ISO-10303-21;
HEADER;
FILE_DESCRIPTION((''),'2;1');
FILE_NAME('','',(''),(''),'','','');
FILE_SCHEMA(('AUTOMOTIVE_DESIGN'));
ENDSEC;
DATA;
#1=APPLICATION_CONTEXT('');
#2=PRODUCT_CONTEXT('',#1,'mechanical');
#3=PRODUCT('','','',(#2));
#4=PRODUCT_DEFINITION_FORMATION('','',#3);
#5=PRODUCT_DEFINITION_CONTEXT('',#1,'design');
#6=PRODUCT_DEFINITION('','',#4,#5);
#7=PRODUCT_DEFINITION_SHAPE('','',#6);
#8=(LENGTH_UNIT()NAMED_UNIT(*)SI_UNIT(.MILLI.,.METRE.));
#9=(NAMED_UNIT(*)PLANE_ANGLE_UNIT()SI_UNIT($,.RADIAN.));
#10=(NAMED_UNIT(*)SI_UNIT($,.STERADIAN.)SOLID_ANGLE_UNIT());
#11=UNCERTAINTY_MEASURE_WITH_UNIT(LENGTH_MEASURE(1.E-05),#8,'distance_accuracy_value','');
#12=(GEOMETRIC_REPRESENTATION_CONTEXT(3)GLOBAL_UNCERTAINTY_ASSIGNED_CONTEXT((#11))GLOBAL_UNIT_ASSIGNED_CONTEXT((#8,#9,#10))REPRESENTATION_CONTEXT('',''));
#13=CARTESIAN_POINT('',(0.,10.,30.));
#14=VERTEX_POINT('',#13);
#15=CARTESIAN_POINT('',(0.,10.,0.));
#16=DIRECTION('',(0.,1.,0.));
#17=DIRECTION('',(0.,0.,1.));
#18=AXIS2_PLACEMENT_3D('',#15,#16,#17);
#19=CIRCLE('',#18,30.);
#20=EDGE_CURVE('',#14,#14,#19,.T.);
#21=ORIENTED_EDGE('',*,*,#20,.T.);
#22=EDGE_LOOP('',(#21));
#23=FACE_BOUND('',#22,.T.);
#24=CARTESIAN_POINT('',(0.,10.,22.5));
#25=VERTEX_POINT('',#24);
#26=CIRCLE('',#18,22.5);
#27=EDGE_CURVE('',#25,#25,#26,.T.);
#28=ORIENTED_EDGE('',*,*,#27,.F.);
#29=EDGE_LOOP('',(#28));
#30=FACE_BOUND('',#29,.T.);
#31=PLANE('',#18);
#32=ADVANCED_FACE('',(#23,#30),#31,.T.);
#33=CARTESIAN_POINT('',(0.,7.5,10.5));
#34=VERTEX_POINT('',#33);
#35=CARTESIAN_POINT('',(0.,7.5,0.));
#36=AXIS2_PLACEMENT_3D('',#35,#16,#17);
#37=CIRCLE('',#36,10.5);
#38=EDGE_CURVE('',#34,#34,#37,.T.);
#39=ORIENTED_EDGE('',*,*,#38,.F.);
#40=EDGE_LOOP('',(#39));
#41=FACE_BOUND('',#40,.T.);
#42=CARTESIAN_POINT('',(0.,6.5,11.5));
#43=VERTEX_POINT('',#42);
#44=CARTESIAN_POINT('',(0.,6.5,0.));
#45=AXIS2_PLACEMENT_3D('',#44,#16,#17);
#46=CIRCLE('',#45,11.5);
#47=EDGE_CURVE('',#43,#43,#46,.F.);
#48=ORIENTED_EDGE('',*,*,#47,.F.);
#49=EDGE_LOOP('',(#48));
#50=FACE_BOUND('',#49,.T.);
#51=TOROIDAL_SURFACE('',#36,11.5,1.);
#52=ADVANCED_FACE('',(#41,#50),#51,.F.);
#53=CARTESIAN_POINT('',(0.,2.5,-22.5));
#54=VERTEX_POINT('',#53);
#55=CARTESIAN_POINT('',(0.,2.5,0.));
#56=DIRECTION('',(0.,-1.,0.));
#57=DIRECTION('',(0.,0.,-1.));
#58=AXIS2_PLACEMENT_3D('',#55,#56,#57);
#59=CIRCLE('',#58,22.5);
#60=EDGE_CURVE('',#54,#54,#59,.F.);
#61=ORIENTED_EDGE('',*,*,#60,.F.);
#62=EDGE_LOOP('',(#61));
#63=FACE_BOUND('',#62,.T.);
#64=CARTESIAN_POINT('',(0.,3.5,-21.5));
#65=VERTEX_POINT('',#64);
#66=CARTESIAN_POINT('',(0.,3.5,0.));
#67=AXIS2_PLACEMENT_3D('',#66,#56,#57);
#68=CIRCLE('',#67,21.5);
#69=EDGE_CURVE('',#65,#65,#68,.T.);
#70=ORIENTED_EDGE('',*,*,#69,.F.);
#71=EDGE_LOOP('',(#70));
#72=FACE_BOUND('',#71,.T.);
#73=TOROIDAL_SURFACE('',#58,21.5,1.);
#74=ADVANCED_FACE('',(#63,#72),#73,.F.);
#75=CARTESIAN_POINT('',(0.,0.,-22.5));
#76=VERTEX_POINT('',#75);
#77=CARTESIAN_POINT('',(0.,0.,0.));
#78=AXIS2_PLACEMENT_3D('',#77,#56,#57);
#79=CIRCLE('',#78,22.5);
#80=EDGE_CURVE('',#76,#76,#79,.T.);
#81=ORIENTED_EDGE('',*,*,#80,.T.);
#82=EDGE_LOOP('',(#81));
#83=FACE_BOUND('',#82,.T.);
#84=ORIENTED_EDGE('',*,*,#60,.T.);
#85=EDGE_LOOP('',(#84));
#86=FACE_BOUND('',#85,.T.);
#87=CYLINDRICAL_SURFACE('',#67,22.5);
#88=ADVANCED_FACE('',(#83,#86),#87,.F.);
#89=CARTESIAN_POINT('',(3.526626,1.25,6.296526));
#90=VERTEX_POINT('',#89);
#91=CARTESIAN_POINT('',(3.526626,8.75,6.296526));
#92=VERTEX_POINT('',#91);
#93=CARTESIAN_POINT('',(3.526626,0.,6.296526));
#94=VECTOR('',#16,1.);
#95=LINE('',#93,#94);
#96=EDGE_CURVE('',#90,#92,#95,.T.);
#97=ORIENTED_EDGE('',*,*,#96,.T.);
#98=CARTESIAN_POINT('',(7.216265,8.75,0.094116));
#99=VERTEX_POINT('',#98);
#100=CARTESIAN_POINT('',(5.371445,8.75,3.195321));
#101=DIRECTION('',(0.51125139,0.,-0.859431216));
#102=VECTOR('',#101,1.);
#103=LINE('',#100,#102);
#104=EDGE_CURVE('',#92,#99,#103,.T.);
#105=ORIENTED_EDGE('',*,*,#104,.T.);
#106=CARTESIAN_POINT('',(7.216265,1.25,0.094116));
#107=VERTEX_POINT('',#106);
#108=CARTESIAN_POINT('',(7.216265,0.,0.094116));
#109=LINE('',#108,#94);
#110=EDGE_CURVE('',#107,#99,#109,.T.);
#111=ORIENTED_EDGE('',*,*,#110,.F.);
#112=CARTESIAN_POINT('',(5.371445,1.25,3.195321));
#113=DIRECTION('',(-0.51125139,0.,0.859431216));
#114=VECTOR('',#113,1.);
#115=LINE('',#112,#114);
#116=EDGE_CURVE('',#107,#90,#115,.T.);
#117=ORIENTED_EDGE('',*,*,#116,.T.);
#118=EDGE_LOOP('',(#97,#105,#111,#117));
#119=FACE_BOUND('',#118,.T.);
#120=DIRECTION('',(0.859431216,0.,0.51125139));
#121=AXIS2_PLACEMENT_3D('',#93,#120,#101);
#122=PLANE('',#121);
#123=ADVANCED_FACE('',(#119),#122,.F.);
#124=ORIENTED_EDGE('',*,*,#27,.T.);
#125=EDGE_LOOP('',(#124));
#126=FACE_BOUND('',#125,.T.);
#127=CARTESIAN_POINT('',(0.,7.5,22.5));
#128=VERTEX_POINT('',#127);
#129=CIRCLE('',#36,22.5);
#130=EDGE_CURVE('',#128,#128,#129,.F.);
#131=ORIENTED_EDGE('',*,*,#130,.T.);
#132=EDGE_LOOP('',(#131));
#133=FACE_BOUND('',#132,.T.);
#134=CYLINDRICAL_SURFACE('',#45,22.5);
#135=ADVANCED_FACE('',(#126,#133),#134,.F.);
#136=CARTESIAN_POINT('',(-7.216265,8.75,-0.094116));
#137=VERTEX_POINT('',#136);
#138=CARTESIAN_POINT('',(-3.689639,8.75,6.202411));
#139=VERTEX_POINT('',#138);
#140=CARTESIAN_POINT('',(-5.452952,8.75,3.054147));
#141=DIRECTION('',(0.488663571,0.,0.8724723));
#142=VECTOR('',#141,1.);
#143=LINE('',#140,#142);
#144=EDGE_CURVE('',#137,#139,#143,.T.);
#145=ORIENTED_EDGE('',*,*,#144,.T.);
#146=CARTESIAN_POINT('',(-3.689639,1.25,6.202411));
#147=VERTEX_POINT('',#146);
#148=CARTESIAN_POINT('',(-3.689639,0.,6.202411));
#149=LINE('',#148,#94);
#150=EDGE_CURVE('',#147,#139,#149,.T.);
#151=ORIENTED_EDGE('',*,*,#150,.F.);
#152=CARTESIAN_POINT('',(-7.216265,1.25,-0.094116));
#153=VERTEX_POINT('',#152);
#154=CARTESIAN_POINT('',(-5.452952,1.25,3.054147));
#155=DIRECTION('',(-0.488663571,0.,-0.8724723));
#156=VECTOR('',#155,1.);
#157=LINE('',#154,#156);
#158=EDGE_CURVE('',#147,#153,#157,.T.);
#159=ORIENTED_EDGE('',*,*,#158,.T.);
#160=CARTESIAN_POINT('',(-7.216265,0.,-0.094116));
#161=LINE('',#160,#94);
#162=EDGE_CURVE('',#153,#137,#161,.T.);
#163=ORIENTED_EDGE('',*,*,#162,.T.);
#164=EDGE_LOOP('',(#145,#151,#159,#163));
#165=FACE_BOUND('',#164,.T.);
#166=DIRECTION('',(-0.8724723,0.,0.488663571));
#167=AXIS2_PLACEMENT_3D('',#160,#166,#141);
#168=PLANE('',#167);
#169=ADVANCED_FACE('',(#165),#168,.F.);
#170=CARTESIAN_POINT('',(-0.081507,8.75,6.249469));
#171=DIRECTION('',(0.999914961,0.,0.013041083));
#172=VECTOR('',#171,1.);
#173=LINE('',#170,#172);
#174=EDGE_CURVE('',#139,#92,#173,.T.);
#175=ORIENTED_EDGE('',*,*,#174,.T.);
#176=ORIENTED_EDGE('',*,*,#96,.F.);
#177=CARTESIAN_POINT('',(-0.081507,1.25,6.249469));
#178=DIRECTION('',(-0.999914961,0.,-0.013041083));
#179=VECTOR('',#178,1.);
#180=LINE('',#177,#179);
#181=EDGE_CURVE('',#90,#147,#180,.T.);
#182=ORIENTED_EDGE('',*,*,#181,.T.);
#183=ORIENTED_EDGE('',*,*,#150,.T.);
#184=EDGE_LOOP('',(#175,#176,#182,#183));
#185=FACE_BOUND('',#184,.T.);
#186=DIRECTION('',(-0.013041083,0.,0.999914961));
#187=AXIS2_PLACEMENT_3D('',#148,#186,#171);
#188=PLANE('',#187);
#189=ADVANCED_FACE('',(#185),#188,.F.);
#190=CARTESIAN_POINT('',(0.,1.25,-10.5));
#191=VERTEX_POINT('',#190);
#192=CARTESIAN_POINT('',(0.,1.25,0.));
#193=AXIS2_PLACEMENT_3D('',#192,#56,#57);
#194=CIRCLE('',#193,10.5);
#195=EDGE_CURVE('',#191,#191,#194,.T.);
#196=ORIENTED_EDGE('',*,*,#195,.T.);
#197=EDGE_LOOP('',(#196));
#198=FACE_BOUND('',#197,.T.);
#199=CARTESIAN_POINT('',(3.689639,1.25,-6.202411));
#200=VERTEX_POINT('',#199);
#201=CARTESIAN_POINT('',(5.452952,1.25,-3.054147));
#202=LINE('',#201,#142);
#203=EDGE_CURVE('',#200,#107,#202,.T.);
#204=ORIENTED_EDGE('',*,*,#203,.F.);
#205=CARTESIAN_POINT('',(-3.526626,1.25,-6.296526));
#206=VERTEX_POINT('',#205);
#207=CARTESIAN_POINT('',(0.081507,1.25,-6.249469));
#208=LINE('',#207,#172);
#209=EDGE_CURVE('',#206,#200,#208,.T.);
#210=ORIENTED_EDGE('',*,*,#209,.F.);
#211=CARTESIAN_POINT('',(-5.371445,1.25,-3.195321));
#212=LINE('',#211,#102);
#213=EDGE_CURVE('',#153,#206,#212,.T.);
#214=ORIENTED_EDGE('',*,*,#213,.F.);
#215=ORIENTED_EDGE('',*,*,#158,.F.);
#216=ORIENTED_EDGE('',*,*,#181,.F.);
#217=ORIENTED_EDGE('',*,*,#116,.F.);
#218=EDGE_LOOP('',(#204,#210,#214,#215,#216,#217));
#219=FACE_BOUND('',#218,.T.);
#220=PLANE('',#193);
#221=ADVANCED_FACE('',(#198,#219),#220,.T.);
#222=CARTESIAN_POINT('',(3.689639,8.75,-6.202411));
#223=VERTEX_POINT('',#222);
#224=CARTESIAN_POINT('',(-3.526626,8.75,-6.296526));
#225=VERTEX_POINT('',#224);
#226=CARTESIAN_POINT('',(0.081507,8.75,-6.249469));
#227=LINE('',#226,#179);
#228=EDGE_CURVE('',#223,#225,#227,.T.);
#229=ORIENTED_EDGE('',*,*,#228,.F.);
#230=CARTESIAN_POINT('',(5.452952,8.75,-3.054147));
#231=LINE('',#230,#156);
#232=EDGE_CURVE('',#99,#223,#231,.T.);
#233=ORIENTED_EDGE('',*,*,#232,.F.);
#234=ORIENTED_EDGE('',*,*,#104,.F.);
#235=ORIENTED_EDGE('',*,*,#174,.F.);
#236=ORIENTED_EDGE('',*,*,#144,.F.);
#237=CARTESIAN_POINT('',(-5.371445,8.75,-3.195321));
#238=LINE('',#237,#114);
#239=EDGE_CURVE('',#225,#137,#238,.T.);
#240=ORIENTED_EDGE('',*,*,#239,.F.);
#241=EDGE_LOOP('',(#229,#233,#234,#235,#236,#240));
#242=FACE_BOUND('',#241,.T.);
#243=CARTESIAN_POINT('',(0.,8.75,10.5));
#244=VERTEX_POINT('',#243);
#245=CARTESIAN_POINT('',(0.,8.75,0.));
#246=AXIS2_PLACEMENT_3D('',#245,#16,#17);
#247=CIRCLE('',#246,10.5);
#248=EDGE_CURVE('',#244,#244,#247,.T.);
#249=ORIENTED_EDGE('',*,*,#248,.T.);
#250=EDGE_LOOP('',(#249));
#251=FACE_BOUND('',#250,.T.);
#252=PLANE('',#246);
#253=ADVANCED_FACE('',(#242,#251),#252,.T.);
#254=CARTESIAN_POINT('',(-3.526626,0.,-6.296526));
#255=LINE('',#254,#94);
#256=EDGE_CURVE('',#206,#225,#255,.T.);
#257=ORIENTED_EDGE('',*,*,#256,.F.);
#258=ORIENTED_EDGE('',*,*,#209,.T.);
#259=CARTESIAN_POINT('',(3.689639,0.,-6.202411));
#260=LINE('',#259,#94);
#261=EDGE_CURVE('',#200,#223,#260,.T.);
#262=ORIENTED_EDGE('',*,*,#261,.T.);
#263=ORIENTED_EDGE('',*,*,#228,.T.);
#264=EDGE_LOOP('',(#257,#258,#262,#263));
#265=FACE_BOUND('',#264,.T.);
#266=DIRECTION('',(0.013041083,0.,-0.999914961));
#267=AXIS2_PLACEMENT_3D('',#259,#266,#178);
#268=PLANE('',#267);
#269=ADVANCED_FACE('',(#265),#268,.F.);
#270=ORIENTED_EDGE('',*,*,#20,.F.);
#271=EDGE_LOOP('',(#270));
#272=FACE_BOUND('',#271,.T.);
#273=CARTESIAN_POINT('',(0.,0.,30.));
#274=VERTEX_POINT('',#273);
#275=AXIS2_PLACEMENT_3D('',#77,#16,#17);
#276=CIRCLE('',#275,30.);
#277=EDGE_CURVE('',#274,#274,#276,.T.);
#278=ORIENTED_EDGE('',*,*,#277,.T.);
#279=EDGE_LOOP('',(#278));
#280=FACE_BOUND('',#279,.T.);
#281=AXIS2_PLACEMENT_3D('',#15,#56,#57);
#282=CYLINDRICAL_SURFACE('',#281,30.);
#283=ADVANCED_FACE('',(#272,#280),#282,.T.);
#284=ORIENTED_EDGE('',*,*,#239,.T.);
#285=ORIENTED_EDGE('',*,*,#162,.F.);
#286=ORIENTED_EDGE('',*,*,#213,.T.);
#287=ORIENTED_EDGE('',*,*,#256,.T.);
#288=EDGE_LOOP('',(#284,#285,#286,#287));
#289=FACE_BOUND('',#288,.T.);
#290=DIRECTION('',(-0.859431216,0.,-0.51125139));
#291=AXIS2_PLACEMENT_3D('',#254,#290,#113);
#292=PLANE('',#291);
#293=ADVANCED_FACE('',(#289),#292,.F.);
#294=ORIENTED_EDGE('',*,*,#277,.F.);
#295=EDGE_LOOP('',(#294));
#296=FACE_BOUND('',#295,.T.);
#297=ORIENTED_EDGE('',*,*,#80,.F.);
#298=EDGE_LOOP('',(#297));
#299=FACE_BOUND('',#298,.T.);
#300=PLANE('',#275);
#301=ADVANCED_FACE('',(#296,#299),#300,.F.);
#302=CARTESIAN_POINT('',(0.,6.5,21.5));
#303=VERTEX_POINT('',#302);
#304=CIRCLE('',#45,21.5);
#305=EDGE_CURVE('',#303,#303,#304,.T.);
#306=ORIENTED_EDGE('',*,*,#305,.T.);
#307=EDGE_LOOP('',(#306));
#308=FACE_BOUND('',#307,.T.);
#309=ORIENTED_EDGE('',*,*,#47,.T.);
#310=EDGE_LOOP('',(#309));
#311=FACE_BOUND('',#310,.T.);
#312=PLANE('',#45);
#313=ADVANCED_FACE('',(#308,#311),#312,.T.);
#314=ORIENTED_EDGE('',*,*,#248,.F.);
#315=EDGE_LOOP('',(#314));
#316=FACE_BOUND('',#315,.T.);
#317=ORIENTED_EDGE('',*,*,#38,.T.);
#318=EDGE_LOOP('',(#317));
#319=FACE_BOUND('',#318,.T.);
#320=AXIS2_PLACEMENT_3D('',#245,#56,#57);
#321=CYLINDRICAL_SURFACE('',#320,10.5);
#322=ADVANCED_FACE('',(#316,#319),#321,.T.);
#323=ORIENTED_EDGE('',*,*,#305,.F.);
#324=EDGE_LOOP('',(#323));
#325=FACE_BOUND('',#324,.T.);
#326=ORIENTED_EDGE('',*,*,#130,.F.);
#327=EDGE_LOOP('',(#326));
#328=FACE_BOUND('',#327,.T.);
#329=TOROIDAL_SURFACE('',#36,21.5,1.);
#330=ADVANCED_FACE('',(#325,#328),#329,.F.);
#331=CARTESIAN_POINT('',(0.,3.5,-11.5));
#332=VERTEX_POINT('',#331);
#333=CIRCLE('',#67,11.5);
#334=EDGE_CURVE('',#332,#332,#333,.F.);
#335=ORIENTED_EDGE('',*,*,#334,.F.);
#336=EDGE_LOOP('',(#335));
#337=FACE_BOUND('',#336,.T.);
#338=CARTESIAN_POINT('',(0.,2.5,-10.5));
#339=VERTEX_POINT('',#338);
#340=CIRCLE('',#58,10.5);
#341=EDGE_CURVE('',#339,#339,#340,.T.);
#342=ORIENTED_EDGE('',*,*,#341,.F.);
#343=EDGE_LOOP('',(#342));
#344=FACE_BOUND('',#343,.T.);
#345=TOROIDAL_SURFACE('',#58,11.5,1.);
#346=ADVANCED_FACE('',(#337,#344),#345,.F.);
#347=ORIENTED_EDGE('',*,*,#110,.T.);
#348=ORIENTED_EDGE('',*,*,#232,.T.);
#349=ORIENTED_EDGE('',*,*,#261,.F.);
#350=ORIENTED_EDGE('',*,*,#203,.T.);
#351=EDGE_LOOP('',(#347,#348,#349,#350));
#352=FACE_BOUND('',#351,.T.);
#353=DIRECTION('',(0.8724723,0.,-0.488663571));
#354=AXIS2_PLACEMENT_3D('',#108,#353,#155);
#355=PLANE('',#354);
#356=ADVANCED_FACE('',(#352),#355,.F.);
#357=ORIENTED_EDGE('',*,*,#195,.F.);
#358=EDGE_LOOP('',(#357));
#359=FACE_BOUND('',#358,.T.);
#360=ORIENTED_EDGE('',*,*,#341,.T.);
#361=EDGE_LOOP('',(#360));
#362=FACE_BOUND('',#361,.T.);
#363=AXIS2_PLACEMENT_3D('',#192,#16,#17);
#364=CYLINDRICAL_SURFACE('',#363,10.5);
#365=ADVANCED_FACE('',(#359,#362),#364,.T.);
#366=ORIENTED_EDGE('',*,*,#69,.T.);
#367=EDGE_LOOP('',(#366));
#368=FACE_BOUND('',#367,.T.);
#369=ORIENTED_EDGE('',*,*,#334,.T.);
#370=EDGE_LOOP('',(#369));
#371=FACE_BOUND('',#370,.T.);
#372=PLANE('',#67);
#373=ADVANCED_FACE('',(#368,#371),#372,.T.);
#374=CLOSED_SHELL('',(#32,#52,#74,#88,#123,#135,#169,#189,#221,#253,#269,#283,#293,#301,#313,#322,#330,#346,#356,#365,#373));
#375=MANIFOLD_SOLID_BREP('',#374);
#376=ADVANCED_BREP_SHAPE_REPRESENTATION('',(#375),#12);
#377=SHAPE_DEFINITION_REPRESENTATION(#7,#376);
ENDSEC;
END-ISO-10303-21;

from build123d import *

# Parameters (mm, degrees)
SKETCH1_R               = 30
BOSS_EXTRUDE1_DEPTH     = 10
SKETCH2_R               = 22.5
CUT_EXTRUDE1_DEPTH      = 3.5
CUT_EXTRUDE2_START      = -3.5
SKETCH3_R               = 22.5
CUT_EXTRUDE2_DEPTH      = 3.5
SKETCH5_R               = 10.5
BOSS_EXTRUDE2_DEPTH     = 2.25
BOSS_EXTRUDE3_START     = 2.25
SKETCH6_R               = 10.5
BOSS_EXTRUDE3_DEPTH     = 2.25
CUT_EXTRUDE3_DEPTH      = 43.921439864
CUT_EXTRUDE3_DEPTH_BACK = 43.921439864
FILLET1_R               = 1
FILLET2_R               = 1


with BuildPart() as part:
    # Sketch1 → Boss-Extrude1 (new body)
    with BuildSketch(Plane(origin=(0, 0, 0), x_dir=(1, 0, 0), z_dir=(0, 1, 0))):
        with Locations(Location((0, 0, 0), (0, 0, 270))):
            Circle(SKETCH1_R)
    extrude(amount=BOSS_EXTRUDE1_DEPTH)

    # Sketch2 → Cut-Extrude1 (cut)
    with BuildSketch(Plane(origin=(0, 10, 0), x_dir=(1, 0, 0), z_dir=(0, 1, 0))):
        with Locations(Location((0, 0, 0), (0, 0, 270))):
            Circle(SKETCH2_R)
    extrude(amount=-CUT_EXTRUDE1_DEPTH, mode=Mode.SUBTRACT)

    # Sketch3 → Cut-Extrude2 (cut)
    with BuildSketch(Plane.XZ.offset(CUT_EXTRUDE2_START)):
        with Locations(Location((0, 0, 0), (0, 0, 90))):
            Circle(SKETCH3_R)
    extrude(amount=CUT_EXTRUDE2_DEPTH, mode=Mode.SUBTRACT)

    # Sketch5 → Boss-Extrude2 (add)
    with BuildSketch(Plane(origin=(0, 6.5, 0), x_dir=(1, 0, 0), z_dir=(0, 1, 0))):
        with Locations(Location((0, 0, 0), (0, 0, 270))):
            Circle(SKETCH5_R)
    extrude(amount=BOSS_EXTRUDE2_DEPTH)

    # Sketch6 → Boss-Extrude3 (add)
    with BuildSketch(Plane.XZ.offset(-3.5).offset(BOSS_EXTRUDE3_START)):
        with Locations(Location((0, 0, 0), (0, 0, 90))):
            Circle(SKETCH6_R)
    extrude(amount=-BOSS_EXTRUDE3_DEPTH)

    # Sketch4 → Cut-Extrude3 (cut, two sides: drawn at the far end of the back side and taken through both)
    with BuildSketch(Plane(origin=(0, 6.5, 0), x_dir=(1, 0, 0), z_dir=(0, 1, 0)).offset(-CUT_EXTRUDE3_DEPTH_BACK)):
        Polygon((3.689639098, 6.202410552), (-3.526625554, 6.296526466), (-7.216264652, 0.094115913), (-3.689639098, -6.202410552), (3.526625554, -6.296526466), (7.216264652, -0.094115913), align=None)
    extrude(amount=CUT_EXTRUDE3_DEPTH + CUT_EXTRUDE3_DEPTH_BACK, mode=Mode.SUBTRACT)

    # Fillet1
    fillet1_edges = [part.edges().sort_by_distance(p)[0] for p in [
        (0, 3.5, -22.5),
        (0, 6.5, -22.5),
    ]]
    fillet(fillet1_edges, radius=FILLET1_R)

    # Fillet2
    fillet2_edges = [part.edges().sort_by_distance(p)[0] for p in [
        (0, 6.5, -10.5),
        (0, 3.5, -10.5),
    ]]
    fillet(fillet2_edges, radius=FILLET2_R)


solid = part.part
